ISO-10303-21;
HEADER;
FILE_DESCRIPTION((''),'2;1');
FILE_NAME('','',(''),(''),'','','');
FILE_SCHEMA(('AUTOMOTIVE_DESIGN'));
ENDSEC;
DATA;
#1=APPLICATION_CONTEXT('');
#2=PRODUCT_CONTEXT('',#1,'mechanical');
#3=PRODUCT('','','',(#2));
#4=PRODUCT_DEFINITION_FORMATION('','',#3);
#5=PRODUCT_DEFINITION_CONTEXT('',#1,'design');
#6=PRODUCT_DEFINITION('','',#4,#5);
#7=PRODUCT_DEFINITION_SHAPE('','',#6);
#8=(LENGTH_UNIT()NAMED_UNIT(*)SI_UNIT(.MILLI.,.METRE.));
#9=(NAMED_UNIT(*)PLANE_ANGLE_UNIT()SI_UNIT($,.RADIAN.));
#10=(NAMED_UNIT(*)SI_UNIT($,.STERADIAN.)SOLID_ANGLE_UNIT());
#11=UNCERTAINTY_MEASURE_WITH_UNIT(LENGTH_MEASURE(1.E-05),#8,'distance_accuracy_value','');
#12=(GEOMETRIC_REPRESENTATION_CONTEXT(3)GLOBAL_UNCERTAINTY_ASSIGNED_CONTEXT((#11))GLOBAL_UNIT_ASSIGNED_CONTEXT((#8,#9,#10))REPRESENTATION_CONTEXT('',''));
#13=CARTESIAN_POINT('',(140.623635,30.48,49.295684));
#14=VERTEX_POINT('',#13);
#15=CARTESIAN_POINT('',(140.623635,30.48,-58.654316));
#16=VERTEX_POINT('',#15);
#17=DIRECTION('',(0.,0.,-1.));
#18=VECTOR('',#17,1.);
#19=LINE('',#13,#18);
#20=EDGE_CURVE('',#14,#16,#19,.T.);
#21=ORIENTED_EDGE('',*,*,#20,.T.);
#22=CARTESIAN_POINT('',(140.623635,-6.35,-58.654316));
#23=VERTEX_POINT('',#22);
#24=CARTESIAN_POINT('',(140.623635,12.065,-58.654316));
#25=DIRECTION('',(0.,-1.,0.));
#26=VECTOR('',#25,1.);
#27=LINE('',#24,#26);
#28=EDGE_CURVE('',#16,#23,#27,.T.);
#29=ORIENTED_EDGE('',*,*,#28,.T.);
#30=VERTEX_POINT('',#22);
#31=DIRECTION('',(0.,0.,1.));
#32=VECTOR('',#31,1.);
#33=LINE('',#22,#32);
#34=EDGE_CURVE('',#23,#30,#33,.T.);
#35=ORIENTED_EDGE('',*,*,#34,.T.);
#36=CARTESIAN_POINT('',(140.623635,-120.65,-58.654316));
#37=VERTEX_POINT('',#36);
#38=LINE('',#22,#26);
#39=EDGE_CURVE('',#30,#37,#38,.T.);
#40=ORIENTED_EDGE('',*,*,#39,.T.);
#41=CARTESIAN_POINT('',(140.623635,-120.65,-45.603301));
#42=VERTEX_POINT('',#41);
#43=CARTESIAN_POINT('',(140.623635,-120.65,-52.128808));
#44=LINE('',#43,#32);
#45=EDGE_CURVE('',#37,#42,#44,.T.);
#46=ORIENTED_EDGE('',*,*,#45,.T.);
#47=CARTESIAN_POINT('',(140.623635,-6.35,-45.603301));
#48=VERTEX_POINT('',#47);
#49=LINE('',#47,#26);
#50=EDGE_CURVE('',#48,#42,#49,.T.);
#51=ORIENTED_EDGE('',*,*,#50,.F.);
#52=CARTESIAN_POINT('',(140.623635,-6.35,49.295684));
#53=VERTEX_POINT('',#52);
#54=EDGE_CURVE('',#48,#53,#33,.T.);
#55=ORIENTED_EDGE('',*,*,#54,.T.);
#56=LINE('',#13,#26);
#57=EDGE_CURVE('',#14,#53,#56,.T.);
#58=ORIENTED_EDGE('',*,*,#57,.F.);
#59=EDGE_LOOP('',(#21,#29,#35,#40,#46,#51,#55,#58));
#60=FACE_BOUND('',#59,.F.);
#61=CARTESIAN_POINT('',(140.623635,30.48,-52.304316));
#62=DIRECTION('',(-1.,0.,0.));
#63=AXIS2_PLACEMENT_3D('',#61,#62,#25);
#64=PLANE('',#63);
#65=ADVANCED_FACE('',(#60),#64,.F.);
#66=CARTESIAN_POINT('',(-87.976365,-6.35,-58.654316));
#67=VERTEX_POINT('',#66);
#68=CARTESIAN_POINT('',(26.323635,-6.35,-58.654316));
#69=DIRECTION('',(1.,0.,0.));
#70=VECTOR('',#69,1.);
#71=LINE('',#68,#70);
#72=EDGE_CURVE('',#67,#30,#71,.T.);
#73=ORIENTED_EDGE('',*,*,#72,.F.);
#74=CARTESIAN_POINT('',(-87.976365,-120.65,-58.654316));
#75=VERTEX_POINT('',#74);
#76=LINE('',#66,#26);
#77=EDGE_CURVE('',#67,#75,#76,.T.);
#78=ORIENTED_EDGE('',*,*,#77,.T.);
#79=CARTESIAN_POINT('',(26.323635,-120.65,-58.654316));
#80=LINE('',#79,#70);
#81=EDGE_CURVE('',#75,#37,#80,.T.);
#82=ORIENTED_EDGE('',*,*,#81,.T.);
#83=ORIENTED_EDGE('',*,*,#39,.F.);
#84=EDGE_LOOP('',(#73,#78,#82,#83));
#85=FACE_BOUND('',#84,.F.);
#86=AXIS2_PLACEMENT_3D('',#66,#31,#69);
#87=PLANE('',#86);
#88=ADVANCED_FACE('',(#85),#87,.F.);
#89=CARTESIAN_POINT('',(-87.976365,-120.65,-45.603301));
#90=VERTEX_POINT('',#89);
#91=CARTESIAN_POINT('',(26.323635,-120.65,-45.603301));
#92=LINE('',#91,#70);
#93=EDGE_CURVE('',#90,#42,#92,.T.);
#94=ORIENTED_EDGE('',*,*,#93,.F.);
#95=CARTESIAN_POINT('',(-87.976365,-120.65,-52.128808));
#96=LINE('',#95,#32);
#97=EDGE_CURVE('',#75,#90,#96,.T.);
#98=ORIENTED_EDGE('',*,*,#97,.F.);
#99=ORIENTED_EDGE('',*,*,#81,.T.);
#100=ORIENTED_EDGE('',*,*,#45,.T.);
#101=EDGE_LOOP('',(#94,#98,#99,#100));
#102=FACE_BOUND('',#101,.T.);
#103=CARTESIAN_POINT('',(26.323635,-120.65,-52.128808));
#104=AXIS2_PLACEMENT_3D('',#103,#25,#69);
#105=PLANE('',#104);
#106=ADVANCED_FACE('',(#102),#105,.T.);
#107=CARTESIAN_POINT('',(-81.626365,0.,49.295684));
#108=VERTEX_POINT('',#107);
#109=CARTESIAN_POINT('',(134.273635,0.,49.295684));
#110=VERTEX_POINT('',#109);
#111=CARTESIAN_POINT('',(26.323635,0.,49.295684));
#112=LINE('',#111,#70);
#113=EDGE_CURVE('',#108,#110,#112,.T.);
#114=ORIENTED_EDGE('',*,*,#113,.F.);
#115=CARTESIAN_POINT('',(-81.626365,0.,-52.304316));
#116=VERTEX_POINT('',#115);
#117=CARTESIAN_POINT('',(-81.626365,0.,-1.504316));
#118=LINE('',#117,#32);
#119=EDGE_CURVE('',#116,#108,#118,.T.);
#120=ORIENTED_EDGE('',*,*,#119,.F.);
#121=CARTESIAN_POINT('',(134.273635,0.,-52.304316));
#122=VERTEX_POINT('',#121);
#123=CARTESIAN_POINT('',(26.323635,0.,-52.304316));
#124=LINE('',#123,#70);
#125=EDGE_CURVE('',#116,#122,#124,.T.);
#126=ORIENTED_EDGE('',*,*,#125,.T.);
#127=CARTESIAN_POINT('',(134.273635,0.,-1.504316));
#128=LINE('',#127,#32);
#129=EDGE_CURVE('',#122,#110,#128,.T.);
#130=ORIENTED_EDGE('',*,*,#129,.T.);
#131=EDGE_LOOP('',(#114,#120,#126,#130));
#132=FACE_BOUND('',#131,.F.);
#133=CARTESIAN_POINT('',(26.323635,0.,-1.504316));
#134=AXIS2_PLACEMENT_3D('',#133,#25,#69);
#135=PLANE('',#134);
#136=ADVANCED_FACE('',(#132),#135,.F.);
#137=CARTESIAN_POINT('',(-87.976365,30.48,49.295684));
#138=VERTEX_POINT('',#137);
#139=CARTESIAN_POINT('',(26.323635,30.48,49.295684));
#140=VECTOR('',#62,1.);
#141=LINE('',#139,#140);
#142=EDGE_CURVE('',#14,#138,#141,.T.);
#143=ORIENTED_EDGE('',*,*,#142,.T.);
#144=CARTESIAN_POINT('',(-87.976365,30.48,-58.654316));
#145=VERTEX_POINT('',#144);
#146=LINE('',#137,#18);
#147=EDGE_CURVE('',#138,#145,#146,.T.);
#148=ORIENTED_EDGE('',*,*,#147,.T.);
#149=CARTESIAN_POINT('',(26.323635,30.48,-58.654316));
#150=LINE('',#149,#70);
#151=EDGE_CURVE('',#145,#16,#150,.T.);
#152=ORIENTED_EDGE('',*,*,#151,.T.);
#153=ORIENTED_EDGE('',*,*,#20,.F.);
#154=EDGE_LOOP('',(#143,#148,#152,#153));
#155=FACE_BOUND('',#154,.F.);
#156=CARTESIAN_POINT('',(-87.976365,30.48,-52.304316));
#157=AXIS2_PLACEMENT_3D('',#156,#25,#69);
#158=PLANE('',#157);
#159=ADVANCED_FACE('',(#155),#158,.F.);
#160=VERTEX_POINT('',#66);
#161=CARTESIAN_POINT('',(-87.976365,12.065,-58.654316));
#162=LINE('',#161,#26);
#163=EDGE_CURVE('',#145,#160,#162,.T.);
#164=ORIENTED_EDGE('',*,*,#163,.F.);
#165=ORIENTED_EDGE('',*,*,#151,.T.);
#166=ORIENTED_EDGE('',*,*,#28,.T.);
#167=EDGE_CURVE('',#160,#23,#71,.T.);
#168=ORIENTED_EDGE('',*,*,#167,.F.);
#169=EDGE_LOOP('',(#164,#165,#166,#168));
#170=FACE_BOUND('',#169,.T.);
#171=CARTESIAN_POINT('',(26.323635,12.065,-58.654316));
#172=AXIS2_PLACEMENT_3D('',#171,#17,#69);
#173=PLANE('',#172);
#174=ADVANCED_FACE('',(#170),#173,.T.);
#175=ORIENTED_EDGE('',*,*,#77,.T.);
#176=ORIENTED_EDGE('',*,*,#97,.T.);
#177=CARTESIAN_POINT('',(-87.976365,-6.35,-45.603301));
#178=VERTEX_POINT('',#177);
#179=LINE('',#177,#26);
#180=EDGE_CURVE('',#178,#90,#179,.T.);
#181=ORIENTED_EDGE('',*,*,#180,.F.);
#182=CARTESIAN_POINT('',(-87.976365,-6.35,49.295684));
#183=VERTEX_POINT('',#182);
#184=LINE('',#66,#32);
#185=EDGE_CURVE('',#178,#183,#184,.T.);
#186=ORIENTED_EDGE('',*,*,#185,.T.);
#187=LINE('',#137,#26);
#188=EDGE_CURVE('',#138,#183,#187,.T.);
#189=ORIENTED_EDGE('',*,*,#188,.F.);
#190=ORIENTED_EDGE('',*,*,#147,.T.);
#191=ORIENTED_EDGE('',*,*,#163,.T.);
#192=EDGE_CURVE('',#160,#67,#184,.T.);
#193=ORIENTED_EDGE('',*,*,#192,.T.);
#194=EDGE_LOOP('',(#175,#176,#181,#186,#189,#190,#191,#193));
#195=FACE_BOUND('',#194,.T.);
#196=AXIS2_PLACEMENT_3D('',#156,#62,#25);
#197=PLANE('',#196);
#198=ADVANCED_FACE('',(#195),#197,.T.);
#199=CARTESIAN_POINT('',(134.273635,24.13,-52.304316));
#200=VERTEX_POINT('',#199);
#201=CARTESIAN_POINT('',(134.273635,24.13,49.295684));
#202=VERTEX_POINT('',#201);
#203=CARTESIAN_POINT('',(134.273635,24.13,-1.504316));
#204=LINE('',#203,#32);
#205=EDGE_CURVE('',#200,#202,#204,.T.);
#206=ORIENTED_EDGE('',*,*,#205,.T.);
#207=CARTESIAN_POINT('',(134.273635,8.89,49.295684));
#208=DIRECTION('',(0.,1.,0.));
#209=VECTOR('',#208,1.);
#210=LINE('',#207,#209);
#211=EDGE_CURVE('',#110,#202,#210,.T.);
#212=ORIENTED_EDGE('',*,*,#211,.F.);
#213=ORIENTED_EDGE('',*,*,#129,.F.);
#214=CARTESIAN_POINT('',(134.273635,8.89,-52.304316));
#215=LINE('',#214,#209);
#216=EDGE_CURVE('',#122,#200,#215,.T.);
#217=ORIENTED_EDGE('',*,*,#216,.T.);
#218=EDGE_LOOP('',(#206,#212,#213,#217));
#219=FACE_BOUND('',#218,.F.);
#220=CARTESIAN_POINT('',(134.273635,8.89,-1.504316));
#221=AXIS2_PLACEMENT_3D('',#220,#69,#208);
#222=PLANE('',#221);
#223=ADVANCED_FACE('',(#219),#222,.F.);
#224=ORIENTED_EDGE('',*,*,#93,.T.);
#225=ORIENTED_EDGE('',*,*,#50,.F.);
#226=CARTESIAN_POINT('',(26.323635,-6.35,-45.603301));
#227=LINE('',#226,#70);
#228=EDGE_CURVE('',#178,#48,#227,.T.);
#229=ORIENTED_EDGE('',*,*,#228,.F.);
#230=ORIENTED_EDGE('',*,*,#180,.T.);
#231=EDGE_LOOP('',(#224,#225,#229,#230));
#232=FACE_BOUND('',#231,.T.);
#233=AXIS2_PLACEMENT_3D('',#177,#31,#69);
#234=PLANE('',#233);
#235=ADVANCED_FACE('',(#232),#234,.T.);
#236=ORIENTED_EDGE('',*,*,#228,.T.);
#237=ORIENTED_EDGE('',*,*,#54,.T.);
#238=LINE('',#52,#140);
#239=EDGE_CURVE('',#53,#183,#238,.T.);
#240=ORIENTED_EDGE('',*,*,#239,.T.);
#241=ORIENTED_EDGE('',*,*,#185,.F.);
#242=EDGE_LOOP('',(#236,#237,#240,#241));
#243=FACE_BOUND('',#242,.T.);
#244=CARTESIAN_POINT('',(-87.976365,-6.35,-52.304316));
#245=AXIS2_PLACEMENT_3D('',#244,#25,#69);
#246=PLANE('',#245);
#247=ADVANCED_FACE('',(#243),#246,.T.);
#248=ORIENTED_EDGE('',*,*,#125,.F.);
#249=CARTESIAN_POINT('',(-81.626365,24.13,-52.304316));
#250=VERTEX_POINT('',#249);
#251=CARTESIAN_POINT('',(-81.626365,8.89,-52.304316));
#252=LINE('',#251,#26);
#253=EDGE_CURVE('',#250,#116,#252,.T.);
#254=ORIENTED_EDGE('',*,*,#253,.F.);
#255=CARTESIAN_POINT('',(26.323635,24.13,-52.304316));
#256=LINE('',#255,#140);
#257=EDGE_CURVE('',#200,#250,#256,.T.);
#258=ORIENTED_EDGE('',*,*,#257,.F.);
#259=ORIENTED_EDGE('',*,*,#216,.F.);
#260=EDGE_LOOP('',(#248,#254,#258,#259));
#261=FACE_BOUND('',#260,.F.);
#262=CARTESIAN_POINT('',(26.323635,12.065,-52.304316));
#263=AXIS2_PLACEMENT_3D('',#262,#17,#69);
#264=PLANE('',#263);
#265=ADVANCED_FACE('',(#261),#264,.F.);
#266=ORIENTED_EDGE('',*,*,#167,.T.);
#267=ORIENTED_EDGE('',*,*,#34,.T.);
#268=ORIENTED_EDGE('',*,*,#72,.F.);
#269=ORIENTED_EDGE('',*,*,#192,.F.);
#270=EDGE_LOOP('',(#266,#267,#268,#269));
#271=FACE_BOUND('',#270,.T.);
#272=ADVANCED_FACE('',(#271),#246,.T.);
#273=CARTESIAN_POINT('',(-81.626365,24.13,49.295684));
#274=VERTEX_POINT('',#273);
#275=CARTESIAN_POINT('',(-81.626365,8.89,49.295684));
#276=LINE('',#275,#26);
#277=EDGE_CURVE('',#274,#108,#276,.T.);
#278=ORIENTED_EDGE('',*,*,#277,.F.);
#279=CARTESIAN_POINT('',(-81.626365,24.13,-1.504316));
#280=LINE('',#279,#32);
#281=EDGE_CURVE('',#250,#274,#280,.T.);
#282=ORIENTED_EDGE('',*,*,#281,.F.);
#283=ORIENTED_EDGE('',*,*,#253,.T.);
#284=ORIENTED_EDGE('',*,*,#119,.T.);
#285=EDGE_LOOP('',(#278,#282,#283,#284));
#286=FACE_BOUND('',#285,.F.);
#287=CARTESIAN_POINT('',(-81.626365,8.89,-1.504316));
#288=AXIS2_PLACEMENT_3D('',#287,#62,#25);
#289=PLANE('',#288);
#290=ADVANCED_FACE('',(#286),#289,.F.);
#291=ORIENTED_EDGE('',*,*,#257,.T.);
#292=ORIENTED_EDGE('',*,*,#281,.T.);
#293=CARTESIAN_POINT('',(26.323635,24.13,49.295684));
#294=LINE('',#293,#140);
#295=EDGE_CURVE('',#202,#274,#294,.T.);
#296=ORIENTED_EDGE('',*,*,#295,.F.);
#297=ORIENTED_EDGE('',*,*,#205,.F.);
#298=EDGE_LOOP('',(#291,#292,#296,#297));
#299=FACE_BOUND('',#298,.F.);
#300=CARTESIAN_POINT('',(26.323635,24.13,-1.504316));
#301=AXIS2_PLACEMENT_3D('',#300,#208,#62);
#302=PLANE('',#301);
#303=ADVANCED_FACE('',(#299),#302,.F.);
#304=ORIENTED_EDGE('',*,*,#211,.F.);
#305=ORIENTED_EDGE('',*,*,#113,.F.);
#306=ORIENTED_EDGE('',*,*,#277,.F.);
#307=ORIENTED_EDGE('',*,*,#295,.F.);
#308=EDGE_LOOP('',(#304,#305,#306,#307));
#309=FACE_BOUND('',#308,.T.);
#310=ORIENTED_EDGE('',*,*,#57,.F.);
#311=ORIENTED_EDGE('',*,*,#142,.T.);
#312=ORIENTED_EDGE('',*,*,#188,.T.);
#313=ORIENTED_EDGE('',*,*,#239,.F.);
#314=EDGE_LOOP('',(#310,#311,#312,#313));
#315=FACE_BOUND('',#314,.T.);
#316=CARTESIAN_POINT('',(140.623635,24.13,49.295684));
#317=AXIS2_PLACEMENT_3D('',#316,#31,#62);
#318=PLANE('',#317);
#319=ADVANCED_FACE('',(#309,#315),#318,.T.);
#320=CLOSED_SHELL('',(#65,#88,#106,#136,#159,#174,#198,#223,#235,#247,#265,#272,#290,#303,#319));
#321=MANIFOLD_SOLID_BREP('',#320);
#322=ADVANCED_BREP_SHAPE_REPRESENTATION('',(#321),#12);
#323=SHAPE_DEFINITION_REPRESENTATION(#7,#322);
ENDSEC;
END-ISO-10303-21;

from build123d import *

# Parameters (mm, degrees)
F0_W      = 215.9
F0_H      = 101.6
F1_DEPTH  = 6.35
F2_W      = 30.48
F2_H      = 101.6
F3_DEPTH  = 6.35
F4_W      = 30.48
F4_H      = 101.6
F5_DEPTH  = 6.35
F6_W      = 228.6
F6_H      = 101.6
F7_DEPTH  = 6.35
F8_W      = 228.6
F8_H      = 36.83
F9_DEPTH  = 6.35
F10_W     = 228.6
F10_H     = 13.051015
F11_DEPTH = 114.3


with BuildPart() as f1:
    # F0 (on Front) → F1 (new body)
    with BuildSketch(Plane.XZ):
        with Locations((26.323635, -1.504316)):
            Rectangle(F0_W, F0_H)
    extrude(amount=F1_DEPTH)

    # F2 (on face) → F3 (join)
    with BuildSketch(Plane(origin=(-81.626365, 0, 0), x_dir=(0, -1, 0), z_dir=(-1, 0, 0))):
        with Locations((-8.89, -1.504316)):
            Rectangle(F2_W, F2_H)
    extrude(amount=F3_DEPTH)

    # F4 (on face) → F5 (join)
    with BuildSketch(Plane.YZ.offset(134.273635)):
        with Locations((8.89, -1.504316)):
            Rectangle(F4_W, F4_H)
    extrude(amount=F5_DEPTH)

    # F6 (on face) → F7 (join)
    with BuildSketch(Plane(origin=(0, 24.13, 0), x_dir=(-1, 0, 0), z_dir=(0, 1, 0))):
        with Locations((-26.323635, -1.504316)):
            Rectangle(F6_W, F6_H)
    extrude(amount=F7_DEPTH)

    # F8 (on face) → F9 (join)
    with BuildSketch(Plane(origin=(0, 0, -52.304316), x_dir=(1, 0, 0), z_dir=(0, 0, -1))):
        with Locations((26.323635, -12.065)):
            Rectangle(F8_W, F8_H)
    extrude(amount=F9_DEPTH)

    # F10 (on face) → F11 (join)
    with BuildSketch(Plane.XZ.offset(6.35)):
        with Locations((26.323635, -52.128808)):
            Rectangle(F10_W, F10_H)
    extrude(amount=F11_DEPTH)


solid = f1.part
